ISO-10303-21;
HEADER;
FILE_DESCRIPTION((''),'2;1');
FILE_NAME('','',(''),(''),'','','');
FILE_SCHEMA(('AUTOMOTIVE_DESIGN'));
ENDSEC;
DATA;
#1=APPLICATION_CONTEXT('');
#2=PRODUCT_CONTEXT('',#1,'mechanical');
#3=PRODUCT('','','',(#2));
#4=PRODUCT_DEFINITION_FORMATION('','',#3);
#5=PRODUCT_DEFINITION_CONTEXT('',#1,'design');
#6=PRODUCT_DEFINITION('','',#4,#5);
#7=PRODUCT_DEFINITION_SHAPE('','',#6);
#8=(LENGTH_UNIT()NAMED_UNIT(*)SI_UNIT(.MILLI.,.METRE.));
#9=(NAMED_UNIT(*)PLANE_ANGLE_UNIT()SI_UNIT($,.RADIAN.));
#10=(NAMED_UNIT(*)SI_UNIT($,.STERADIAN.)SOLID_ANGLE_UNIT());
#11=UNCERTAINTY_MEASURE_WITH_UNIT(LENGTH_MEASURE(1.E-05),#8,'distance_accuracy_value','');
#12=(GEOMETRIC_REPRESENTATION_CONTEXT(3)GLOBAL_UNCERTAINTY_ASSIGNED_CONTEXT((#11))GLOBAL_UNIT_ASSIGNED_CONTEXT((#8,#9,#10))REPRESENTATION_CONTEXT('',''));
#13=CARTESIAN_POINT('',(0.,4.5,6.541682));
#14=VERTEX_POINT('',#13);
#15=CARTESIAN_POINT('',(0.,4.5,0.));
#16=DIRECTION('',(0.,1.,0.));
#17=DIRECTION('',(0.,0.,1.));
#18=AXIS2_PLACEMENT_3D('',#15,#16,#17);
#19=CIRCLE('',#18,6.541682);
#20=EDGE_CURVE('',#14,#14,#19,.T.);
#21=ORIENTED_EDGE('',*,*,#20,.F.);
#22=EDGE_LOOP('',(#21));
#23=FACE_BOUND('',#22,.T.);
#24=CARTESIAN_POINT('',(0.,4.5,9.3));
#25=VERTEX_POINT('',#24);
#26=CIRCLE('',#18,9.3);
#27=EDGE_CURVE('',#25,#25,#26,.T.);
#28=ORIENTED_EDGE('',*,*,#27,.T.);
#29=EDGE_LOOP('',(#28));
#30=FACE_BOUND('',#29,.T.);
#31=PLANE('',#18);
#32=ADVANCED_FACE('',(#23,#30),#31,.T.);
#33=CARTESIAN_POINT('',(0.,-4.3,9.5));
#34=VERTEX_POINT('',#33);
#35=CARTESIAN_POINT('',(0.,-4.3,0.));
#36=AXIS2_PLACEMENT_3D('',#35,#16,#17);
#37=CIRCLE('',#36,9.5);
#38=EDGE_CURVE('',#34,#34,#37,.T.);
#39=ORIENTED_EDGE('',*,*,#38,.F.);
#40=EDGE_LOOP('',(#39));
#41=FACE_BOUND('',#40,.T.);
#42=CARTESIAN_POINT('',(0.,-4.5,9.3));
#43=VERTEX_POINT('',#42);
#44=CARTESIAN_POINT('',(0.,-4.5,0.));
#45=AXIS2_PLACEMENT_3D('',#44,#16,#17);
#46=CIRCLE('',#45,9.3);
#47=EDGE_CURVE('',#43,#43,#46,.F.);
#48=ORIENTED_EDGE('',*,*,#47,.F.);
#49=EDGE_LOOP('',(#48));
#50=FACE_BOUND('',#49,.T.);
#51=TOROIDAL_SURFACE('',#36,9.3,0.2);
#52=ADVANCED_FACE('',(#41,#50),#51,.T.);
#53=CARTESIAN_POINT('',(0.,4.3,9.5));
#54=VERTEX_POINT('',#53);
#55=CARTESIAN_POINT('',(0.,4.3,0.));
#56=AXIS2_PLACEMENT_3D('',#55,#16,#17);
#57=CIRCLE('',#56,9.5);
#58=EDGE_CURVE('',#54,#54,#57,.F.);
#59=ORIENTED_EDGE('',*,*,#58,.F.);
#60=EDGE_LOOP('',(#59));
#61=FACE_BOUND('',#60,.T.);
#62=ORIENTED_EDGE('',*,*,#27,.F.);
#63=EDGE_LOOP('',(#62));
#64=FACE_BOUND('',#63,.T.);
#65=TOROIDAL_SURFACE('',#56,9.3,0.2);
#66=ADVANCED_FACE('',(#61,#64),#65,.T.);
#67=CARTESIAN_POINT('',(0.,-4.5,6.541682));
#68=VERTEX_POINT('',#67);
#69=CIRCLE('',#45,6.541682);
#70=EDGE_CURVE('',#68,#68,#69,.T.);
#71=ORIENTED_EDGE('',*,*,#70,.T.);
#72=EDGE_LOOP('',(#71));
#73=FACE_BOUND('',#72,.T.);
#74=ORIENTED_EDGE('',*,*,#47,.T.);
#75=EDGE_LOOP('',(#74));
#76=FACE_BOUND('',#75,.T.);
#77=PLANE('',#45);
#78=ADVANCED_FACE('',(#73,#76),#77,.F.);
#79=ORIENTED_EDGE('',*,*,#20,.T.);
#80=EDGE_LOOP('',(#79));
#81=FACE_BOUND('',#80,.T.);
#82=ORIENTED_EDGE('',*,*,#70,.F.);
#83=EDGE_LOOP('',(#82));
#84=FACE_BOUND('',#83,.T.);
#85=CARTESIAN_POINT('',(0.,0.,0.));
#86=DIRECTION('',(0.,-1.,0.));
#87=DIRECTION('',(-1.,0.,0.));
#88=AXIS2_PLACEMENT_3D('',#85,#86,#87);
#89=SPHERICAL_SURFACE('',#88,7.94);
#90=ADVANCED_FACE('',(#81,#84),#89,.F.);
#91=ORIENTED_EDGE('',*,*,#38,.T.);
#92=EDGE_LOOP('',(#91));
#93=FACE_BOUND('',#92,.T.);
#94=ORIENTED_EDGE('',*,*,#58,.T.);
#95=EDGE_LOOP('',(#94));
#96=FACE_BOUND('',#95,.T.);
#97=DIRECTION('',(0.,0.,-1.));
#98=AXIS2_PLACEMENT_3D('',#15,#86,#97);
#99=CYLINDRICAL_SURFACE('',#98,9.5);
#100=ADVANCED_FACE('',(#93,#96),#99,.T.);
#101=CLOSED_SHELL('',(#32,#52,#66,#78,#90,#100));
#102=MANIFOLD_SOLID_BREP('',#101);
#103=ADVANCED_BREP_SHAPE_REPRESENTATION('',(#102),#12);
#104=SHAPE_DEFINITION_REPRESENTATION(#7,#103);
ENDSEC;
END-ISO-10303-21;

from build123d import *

# Parameters (mm, degrees)
SZKIC1_R                    = 9.5
DODANIE_WYCI_GNI_CIE1_DEPTH = 4.5
ZAOKR_GLENIE1_R             = 0.2


with BuildPart() as part:
    # Szkic1 → Dodanie-wyciągnięcie1 (new body, symmetric)
    with BuildSketch(Plane(origin=(0, 0, 0), x_dir=(1, 0, 0), z_dir=(0, 1, 0))):
        Circle(SZKIC1_R)
    extrude(amount=DODANIE_WYCI_GNI_CIE1_DEPTH, both=True)

    # Szkic3 → Wycięcie-obrót1 (revolve, cut)
    with BuildSketch(Plane.XY):
        with BuildLine():
            Line((0, -7.94), (0, 7.94))
            ThreePointArc((0, 7.94), (7.94, 0), (0, -7.94))
        make_face()
    revolve(axis=Axis((0, -7.94, 0), (0, 1, 0)), mode=Mode.SUBTRACT)

    # Zaokrąglenie1
    zaokr_glenie1_edges = [part.edges().sort_by_distance(p)[0] for p in [
        (-9.5, -4.5, 0),
        (-9.5, 4.5, 0),
    ]]
    fillet(zaokr_glenie1_edges, radius=ZAOKR_GLENIE1_R)


solid = part.part
